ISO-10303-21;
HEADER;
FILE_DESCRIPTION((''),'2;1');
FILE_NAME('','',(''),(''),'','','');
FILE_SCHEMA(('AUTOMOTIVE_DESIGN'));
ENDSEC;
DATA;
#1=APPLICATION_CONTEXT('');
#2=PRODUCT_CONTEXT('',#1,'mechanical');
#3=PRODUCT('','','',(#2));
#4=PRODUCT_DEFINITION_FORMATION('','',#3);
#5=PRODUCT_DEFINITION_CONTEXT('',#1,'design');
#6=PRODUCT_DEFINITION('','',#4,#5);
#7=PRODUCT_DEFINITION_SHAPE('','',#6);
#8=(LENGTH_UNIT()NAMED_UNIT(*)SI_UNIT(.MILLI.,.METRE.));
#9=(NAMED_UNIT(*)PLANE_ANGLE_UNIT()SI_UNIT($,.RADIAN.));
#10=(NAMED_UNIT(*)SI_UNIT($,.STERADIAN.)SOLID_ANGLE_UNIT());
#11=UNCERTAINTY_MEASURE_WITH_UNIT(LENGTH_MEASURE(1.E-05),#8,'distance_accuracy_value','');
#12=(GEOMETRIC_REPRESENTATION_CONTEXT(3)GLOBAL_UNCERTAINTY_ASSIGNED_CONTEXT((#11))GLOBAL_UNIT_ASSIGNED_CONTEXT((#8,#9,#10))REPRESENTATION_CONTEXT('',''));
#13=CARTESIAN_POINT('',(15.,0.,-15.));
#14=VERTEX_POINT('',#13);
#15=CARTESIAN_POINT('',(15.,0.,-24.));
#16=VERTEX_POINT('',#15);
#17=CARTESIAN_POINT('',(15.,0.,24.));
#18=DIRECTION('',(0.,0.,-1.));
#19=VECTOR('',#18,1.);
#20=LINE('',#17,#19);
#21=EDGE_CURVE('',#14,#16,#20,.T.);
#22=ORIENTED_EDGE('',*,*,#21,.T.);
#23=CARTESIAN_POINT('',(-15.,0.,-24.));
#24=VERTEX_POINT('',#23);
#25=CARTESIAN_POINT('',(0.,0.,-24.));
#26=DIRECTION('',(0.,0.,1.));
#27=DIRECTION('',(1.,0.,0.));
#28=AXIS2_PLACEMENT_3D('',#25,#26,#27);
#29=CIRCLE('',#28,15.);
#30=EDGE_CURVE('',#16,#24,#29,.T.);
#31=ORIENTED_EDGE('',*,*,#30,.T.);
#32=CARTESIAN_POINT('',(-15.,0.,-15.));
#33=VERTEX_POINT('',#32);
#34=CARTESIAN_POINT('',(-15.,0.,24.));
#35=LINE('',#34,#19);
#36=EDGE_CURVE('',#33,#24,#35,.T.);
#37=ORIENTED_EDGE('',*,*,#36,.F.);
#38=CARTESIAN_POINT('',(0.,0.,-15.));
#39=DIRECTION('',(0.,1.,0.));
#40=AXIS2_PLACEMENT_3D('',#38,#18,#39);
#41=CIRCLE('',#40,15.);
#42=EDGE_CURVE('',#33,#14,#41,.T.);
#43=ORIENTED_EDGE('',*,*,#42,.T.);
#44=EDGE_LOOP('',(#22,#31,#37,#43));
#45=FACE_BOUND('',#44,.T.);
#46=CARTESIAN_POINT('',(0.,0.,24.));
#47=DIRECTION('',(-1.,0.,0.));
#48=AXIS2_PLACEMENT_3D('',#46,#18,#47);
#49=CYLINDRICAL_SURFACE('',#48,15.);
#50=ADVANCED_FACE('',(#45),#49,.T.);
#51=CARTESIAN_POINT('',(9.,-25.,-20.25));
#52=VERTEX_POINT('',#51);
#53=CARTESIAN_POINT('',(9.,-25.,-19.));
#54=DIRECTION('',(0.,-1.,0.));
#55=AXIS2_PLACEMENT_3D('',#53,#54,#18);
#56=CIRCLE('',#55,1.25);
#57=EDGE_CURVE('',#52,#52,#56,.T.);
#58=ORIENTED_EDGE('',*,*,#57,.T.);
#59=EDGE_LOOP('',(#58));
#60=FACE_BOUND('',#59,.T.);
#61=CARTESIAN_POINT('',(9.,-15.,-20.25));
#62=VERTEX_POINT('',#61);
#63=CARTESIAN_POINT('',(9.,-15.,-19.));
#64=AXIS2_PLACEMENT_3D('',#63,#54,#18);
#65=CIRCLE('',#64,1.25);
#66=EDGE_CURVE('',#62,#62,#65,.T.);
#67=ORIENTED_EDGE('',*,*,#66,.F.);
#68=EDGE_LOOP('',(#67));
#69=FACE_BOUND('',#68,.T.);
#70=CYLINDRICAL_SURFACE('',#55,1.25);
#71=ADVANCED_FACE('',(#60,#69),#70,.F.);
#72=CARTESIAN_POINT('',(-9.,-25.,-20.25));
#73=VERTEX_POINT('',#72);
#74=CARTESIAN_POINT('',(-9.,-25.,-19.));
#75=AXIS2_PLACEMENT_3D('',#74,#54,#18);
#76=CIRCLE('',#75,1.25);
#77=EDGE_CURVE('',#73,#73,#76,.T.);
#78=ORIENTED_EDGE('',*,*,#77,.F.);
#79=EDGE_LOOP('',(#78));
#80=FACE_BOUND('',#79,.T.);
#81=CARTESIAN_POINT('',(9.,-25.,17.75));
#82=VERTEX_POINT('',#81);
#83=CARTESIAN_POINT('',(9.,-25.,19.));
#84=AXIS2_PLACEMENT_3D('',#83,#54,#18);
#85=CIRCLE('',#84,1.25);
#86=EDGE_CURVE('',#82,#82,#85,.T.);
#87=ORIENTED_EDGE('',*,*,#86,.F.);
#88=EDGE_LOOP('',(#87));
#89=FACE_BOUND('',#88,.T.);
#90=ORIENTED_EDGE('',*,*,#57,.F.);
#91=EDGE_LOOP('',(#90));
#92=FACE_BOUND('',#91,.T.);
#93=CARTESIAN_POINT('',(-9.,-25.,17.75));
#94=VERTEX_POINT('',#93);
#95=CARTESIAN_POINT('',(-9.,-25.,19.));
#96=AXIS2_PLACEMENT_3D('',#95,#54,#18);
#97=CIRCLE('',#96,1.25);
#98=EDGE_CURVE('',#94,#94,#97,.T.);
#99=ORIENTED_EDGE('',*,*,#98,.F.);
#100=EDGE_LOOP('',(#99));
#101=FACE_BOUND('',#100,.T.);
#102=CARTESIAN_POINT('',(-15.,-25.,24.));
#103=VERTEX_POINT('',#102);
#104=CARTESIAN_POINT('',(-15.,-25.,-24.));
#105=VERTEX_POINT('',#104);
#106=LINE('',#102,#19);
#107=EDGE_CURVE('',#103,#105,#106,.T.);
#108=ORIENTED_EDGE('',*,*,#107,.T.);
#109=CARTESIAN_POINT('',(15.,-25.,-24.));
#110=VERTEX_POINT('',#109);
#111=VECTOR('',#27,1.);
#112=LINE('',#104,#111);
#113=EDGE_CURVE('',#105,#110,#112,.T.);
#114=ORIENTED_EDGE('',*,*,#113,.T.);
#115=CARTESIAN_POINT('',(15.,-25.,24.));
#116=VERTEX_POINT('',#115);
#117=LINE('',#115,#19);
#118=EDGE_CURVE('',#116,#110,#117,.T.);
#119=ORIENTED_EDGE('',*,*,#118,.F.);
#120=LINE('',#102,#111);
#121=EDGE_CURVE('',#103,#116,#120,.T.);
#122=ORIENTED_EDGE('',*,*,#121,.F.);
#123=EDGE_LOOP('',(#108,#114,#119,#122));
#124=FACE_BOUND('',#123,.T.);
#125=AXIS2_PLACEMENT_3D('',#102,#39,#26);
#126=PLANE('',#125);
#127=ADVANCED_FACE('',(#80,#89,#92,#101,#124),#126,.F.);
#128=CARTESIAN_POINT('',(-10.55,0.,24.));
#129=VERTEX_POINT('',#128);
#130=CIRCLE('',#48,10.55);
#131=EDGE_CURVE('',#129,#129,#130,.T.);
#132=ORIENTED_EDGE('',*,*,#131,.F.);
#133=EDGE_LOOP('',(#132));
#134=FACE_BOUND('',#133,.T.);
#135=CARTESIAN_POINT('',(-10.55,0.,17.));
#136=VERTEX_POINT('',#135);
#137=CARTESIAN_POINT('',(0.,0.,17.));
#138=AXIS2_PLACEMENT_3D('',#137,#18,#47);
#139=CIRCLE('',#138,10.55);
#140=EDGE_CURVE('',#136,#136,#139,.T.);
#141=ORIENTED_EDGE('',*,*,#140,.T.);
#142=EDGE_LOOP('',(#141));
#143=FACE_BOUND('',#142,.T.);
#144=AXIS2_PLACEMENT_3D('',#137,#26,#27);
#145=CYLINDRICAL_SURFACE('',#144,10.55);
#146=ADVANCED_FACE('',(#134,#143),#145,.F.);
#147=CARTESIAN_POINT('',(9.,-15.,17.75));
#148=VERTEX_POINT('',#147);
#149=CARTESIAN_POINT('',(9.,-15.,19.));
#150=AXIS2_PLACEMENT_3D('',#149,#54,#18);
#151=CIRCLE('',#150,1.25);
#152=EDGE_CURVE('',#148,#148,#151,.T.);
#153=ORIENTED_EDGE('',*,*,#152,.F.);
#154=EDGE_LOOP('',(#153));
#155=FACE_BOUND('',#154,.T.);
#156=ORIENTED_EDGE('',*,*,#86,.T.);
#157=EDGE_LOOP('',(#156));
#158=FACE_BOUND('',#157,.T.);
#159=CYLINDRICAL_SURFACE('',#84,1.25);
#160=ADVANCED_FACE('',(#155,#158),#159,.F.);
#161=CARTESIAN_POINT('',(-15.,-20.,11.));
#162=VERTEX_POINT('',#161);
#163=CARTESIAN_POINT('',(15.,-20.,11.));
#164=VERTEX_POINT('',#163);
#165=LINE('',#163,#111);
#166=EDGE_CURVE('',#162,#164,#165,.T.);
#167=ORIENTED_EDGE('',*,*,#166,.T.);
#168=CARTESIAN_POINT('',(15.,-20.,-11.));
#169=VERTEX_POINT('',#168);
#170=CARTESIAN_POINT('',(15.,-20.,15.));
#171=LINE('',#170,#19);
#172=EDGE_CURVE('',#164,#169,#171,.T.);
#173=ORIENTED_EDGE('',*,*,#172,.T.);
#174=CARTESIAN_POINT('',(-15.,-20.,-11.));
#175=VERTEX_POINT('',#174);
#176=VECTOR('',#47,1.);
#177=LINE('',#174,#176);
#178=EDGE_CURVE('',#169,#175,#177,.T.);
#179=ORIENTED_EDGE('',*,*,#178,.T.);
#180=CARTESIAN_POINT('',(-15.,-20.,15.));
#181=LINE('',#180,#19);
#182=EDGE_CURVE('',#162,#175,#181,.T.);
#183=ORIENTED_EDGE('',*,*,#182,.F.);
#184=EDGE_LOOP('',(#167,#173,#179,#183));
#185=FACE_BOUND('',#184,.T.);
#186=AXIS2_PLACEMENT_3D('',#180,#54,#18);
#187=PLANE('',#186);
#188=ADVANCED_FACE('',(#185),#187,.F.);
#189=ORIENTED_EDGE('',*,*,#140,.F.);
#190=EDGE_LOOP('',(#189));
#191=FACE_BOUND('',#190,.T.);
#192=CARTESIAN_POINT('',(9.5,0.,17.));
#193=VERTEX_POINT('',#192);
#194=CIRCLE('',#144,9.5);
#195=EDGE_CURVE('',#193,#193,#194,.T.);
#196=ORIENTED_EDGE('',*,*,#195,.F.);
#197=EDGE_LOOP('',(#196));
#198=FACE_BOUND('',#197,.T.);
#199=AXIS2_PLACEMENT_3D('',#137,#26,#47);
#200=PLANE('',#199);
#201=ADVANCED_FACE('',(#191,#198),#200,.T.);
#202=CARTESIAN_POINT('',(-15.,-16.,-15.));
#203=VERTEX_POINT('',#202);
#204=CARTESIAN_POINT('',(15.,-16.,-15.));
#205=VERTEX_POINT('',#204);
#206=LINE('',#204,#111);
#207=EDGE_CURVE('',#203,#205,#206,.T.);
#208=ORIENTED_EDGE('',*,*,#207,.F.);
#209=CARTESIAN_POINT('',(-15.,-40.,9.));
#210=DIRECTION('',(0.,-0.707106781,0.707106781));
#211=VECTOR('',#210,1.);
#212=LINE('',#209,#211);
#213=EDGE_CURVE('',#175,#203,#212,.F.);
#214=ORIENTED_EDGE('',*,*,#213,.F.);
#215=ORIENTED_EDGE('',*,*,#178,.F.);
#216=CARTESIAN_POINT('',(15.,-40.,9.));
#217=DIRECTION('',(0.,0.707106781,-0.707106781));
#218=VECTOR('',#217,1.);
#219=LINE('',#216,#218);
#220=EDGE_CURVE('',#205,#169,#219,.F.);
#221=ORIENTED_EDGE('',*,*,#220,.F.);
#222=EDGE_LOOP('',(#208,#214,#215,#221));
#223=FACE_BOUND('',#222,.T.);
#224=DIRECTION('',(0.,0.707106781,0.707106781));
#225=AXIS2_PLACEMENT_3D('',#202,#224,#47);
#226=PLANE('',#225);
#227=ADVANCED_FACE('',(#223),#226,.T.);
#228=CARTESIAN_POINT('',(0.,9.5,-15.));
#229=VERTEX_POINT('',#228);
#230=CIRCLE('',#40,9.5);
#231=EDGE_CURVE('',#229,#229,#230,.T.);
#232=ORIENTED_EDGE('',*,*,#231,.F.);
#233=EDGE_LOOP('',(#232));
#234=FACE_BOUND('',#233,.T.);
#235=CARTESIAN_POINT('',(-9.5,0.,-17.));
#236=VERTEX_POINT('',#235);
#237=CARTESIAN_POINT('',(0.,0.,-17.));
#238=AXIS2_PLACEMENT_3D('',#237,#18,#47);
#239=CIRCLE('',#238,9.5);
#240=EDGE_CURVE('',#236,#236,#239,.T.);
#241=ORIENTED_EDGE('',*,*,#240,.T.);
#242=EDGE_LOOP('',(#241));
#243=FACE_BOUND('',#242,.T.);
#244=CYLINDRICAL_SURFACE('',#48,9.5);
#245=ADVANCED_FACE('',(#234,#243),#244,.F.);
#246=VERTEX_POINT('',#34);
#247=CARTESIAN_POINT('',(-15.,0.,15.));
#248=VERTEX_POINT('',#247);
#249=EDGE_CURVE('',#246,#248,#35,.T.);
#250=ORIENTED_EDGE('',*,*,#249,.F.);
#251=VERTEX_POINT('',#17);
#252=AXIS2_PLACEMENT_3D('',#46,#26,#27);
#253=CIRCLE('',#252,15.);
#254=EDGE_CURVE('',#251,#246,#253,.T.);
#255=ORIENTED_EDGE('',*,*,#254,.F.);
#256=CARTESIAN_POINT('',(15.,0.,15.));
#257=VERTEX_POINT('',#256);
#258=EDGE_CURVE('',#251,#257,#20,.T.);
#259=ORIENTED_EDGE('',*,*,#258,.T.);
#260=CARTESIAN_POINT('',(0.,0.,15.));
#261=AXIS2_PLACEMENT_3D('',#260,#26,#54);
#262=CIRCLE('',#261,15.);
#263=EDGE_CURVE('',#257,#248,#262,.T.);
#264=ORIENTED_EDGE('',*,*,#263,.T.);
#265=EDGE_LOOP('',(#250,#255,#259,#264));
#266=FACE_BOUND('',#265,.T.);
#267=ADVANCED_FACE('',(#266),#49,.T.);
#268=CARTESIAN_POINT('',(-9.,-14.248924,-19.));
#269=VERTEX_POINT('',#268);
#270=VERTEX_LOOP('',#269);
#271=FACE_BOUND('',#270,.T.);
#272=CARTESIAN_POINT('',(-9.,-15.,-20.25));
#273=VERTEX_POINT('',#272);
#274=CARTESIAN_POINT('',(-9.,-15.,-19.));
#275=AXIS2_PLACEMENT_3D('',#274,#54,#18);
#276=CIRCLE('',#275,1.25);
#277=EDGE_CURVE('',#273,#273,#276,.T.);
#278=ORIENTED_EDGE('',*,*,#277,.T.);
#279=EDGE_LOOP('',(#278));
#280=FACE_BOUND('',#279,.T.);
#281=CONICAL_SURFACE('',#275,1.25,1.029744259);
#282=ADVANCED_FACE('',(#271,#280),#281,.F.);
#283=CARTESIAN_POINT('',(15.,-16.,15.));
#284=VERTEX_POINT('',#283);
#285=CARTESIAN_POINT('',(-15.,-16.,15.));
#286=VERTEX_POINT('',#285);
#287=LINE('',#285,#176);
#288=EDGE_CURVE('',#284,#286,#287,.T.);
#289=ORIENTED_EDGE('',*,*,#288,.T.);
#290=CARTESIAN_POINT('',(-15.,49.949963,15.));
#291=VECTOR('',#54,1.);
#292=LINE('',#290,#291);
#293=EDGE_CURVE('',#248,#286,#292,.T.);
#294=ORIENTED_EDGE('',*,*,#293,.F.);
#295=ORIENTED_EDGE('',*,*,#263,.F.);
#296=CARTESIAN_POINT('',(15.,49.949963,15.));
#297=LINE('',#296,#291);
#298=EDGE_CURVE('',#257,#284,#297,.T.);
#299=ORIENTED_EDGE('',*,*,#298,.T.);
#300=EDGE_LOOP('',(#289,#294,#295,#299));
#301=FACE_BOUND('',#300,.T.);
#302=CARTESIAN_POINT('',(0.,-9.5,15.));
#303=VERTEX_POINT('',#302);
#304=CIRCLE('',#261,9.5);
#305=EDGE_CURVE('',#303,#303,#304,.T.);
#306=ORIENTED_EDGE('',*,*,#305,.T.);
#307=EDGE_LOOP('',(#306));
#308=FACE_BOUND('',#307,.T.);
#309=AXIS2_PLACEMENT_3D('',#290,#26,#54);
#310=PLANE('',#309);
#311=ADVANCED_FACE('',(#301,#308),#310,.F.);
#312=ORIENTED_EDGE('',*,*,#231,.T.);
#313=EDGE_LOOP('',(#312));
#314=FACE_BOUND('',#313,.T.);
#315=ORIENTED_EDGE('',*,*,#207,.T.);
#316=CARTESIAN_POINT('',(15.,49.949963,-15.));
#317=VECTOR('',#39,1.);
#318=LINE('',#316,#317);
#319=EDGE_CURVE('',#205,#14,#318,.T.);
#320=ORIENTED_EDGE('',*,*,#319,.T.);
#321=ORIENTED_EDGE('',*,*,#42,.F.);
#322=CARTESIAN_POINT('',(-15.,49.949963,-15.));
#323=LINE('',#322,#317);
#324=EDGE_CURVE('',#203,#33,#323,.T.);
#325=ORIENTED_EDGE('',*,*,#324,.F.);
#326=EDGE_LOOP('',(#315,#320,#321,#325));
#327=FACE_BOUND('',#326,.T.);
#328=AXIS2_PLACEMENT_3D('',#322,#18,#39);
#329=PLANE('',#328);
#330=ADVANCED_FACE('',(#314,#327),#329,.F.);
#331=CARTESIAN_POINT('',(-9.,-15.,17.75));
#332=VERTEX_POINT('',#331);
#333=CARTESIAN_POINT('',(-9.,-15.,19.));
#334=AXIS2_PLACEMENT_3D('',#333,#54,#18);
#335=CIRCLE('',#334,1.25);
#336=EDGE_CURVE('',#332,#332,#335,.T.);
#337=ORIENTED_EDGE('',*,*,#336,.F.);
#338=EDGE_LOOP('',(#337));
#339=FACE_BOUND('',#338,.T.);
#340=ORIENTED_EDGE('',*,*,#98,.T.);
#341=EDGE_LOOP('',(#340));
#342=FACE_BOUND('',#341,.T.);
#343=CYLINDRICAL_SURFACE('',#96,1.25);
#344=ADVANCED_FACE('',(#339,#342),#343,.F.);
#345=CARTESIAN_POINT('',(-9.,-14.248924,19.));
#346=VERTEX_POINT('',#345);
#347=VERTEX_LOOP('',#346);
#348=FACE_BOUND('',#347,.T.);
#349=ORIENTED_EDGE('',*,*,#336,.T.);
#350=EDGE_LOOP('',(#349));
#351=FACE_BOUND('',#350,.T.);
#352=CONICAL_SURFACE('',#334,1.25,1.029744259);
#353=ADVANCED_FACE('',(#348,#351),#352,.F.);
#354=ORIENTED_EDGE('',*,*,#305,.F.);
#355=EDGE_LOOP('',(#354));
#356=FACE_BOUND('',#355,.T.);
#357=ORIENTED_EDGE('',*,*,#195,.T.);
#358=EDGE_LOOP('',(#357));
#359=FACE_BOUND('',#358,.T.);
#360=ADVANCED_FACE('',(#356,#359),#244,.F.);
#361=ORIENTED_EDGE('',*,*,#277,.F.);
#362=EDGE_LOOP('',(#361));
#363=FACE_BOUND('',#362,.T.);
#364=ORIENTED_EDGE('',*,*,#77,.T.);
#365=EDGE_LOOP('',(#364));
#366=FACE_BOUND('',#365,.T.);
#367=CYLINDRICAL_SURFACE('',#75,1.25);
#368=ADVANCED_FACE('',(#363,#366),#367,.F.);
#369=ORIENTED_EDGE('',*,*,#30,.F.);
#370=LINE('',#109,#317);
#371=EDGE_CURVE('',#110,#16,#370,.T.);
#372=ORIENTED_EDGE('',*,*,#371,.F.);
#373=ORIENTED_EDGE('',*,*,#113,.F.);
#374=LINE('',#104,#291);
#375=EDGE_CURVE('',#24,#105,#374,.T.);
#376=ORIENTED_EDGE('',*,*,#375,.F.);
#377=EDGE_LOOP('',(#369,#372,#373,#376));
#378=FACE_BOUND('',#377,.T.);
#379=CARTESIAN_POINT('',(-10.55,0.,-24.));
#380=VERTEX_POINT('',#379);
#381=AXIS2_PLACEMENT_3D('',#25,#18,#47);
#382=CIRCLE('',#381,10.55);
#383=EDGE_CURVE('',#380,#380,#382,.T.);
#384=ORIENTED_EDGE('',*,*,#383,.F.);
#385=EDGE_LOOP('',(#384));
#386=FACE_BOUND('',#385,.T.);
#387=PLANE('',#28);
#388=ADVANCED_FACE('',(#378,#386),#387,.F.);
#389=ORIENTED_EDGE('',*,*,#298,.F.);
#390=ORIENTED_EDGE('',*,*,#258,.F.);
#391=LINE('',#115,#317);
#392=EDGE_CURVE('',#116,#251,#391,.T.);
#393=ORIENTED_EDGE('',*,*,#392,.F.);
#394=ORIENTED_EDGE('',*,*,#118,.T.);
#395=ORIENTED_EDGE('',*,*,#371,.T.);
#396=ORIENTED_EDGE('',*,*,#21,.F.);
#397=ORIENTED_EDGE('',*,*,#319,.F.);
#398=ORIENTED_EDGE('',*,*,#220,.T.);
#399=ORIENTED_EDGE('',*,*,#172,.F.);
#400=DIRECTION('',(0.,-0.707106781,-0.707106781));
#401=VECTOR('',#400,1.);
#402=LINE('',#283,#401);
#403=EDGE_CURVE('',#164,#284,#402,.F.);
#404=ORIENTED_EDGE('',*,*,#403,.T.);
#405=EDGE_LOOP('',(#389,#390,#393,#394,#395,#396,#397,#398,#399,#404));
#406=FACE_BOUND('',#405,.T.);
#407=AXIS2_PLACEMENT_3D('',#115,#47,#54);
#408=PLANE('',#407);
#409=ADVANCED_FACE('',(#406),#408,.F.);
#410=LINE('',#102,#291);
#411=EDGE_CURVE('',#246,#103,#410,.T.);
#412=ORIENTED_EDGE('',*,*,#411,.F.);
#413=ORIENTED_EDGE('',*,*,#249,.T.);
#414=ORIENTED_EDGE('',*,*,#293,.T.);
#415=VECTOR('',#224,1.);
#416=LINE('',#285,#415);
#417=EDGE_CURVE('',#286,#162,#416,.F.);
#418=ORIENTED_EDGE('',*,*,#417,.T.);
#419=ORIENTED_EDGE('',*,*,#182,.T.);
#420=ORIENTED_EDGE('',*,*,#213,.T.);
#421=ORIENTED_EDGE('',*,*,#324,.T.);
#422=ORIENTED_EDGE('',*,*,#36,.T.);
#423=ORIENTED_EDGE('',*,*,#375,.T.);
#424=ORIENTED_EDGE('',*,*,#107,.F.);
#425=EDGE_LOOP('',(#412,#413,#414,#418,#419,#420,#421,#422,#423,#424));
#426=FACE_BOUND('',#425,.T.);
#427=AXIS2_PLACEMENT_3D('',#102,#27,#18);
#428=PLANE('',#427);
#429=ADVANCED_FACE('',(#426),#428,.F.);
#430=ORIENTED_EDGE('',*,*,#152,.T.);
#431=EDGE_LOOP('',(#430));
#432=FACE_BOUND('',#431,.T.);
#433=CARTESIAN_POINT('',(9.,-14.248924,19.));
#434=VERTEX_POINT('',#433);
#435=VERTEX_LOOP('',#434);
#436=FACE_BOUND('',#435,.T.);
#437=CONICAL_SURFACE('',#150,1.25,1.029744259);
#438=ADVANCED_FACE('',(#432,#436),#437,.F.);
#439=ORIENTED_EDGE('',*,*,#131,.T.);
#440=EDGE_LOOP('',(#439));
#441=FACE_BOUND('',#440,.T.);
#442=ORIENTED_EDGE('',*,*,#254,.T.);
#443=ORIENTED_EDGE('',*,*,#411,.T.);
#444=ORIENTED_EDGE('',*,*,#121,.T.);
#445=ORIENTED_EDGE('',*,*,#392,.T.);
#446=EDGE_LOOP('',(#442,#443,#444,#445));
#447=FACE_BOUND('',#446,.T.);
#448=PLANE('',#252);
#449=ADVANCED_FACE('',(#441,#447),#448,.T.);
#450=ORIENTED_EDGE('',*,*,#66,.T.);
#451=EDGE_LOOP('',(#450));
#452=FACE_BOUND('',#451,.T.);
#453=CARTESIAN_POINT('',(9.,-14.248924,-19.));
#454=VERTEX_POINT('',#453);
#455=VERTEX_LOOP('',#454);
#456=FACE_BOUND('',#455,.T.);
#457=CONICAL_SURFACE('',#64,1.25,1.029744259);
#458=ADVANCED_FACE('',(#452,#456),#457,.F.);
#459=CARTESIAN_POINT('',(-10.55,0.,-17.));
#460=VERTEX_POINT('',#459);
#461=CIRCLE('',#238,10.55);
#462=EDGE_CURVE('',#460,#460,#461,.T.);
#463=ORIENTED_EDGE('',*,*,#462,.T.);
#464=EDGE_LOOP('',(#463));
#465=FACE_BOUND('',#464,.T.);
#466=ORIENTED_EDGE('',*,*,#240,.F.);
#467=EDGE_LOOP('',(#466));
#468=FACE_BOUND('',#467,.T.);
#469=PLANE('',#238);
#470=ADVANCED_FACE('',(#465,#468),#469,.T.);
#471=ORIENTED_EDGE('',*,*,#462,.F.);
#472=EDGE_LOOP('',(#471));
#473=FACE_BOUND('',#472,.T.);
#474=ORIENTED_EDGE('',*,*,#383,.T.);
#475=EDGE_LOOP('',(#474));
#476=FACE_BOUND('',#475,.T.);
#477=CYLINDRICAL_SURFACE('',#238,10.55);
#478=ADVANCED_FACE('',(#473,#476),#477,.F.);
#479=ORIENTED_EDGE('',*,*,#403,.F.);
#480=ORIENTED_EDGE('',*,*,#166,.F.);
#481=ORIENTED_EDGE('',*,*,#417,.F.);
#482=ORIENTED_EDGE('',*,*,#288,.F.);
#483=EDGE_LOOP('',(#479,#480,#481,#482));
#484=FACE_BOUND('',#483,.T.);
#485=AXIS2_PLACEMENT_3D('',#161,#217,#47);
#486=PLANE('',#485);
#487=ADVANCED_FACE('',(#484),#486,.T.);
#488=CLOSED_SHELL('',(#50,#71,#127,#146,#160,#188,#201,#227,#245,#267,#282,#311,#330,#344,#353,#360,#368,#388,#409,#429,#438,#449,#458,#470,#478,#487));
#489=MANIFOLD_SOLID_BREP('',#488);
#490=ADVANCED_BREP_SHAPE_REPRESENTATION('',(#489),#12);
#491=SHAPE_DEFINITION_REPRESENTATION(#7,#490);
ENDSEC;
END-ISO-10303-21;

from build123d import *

# Parameters (mm, degrees)
SKETCH_1_R               = 9.5
EXTRUDE_1_DEPTH          = 24
CUT_EXTRUDE_1_DEPTH      = 38.762415177
CUT_EXTRUDE_1_DEPTH_BACK = 38.762415177
SKETCH_2_W               = 30
SKETCH_2_H               = 69.949963181
SKETCH_4_R               = 10.55
CUT_EXTRUDE_3_DEPTH      = 7
CHAMFER_2_SIZE           = 4
HOLE_WIZARD_M3_1_D       = 2.5
HOLE_WIZARD_M3_1_DEPTH   = 10
HOLE_WIZARD_M3_1_TIP     = 0.751075774


with BuildPart() as part:
    # 草图1 → 凸台-拉伸1 (new, symmetric)
    with BuildSketch(Plane.XY):
        with BuildLine():
            Line((-15, -25), (-15, 0))
            ThreePointArc((-15, 0), (0, 15), (15, 0))
            Line((15, 0), (15, -25))
            Line((15, -25), (-15, -25))
        make_face()
        Circle(SKETCH_1_R, mode=Mode.SUBTRACT)
    extrude(amount=EXTRUDE_1_DEPTH, both=True)

    # 草图2 → 切除-拉伸1 (cut, two sides: drawn at the far end of the back side and taken through both)
    with BuildSketch(Plane(origin=(0, 0, 0), x_dir=(0, 0, -1), z_dir=(1, 0, 0)).offset(-CUT_EXTRUDE_1_DEPTH_BACK)):
        with Locations((0, 14.974981591)):
            Rectangle(SKETCH_2_W, SKETCH_2_H)
    extrude(amount=CUT_EXTRUDE_1_DEPTH + CUT_EXTRUDE_1_DEPTH_BACK, mode=Mode.SUBTRACT)

    # 草图4 → 切除-拉伸3 (cut)
    with BuildSketch(Plane(origin=(0, 0, -24), x_dir=(-1, 0, 0), z_dir=(0, 0, -1))):
        Circle(SKETCH_4_R)
    cut_extrude_3 = extrude(amount=-CUT_EXTRUDE_3_DEPTH, mode=Mode.SUBTRACT)

    # 倒角2
    chamfer_2_edges = [part.edges().sort_by_distance(p)[0] for p in [
        (0, -20, 15),
        (0, -20, -15),
    ]]
    chamfer(chamfer_2_edges, length=CHAMFER_2_SIZE)

    # M3 螺纹孔1
    with Locations(Plane(origin=(0, -25, 0), x_dir=(-1, 0, 0), z_dir=(0, -1, 0))):
        with Locations((9, -19), (-9, -19), (9, 19), (-9, 19)):
            Hole(HOLE_WIZARD_M3_1_D / 2, depth=HOLE_WIZARD_M3_1_DEPTH)
            with Locations((0, 0, -(HOLE_WIZARD_M3_1_DEPTH + HOLE_WIZARD_M3_1_TIP / 2))):  # 118° drill point
                Cone(0, HOLE_WIZARD_M3_1_D / 2, HOLE_WIZARD_M3_1_TIP, mode=Mode.SUBTRACT)

    # 镜向1: 切除-拉伸3 across plane
    add(cut_extrude_3.mirror(Plane.XY), mode=Mode.SUBTRACT)


solid = part.part
